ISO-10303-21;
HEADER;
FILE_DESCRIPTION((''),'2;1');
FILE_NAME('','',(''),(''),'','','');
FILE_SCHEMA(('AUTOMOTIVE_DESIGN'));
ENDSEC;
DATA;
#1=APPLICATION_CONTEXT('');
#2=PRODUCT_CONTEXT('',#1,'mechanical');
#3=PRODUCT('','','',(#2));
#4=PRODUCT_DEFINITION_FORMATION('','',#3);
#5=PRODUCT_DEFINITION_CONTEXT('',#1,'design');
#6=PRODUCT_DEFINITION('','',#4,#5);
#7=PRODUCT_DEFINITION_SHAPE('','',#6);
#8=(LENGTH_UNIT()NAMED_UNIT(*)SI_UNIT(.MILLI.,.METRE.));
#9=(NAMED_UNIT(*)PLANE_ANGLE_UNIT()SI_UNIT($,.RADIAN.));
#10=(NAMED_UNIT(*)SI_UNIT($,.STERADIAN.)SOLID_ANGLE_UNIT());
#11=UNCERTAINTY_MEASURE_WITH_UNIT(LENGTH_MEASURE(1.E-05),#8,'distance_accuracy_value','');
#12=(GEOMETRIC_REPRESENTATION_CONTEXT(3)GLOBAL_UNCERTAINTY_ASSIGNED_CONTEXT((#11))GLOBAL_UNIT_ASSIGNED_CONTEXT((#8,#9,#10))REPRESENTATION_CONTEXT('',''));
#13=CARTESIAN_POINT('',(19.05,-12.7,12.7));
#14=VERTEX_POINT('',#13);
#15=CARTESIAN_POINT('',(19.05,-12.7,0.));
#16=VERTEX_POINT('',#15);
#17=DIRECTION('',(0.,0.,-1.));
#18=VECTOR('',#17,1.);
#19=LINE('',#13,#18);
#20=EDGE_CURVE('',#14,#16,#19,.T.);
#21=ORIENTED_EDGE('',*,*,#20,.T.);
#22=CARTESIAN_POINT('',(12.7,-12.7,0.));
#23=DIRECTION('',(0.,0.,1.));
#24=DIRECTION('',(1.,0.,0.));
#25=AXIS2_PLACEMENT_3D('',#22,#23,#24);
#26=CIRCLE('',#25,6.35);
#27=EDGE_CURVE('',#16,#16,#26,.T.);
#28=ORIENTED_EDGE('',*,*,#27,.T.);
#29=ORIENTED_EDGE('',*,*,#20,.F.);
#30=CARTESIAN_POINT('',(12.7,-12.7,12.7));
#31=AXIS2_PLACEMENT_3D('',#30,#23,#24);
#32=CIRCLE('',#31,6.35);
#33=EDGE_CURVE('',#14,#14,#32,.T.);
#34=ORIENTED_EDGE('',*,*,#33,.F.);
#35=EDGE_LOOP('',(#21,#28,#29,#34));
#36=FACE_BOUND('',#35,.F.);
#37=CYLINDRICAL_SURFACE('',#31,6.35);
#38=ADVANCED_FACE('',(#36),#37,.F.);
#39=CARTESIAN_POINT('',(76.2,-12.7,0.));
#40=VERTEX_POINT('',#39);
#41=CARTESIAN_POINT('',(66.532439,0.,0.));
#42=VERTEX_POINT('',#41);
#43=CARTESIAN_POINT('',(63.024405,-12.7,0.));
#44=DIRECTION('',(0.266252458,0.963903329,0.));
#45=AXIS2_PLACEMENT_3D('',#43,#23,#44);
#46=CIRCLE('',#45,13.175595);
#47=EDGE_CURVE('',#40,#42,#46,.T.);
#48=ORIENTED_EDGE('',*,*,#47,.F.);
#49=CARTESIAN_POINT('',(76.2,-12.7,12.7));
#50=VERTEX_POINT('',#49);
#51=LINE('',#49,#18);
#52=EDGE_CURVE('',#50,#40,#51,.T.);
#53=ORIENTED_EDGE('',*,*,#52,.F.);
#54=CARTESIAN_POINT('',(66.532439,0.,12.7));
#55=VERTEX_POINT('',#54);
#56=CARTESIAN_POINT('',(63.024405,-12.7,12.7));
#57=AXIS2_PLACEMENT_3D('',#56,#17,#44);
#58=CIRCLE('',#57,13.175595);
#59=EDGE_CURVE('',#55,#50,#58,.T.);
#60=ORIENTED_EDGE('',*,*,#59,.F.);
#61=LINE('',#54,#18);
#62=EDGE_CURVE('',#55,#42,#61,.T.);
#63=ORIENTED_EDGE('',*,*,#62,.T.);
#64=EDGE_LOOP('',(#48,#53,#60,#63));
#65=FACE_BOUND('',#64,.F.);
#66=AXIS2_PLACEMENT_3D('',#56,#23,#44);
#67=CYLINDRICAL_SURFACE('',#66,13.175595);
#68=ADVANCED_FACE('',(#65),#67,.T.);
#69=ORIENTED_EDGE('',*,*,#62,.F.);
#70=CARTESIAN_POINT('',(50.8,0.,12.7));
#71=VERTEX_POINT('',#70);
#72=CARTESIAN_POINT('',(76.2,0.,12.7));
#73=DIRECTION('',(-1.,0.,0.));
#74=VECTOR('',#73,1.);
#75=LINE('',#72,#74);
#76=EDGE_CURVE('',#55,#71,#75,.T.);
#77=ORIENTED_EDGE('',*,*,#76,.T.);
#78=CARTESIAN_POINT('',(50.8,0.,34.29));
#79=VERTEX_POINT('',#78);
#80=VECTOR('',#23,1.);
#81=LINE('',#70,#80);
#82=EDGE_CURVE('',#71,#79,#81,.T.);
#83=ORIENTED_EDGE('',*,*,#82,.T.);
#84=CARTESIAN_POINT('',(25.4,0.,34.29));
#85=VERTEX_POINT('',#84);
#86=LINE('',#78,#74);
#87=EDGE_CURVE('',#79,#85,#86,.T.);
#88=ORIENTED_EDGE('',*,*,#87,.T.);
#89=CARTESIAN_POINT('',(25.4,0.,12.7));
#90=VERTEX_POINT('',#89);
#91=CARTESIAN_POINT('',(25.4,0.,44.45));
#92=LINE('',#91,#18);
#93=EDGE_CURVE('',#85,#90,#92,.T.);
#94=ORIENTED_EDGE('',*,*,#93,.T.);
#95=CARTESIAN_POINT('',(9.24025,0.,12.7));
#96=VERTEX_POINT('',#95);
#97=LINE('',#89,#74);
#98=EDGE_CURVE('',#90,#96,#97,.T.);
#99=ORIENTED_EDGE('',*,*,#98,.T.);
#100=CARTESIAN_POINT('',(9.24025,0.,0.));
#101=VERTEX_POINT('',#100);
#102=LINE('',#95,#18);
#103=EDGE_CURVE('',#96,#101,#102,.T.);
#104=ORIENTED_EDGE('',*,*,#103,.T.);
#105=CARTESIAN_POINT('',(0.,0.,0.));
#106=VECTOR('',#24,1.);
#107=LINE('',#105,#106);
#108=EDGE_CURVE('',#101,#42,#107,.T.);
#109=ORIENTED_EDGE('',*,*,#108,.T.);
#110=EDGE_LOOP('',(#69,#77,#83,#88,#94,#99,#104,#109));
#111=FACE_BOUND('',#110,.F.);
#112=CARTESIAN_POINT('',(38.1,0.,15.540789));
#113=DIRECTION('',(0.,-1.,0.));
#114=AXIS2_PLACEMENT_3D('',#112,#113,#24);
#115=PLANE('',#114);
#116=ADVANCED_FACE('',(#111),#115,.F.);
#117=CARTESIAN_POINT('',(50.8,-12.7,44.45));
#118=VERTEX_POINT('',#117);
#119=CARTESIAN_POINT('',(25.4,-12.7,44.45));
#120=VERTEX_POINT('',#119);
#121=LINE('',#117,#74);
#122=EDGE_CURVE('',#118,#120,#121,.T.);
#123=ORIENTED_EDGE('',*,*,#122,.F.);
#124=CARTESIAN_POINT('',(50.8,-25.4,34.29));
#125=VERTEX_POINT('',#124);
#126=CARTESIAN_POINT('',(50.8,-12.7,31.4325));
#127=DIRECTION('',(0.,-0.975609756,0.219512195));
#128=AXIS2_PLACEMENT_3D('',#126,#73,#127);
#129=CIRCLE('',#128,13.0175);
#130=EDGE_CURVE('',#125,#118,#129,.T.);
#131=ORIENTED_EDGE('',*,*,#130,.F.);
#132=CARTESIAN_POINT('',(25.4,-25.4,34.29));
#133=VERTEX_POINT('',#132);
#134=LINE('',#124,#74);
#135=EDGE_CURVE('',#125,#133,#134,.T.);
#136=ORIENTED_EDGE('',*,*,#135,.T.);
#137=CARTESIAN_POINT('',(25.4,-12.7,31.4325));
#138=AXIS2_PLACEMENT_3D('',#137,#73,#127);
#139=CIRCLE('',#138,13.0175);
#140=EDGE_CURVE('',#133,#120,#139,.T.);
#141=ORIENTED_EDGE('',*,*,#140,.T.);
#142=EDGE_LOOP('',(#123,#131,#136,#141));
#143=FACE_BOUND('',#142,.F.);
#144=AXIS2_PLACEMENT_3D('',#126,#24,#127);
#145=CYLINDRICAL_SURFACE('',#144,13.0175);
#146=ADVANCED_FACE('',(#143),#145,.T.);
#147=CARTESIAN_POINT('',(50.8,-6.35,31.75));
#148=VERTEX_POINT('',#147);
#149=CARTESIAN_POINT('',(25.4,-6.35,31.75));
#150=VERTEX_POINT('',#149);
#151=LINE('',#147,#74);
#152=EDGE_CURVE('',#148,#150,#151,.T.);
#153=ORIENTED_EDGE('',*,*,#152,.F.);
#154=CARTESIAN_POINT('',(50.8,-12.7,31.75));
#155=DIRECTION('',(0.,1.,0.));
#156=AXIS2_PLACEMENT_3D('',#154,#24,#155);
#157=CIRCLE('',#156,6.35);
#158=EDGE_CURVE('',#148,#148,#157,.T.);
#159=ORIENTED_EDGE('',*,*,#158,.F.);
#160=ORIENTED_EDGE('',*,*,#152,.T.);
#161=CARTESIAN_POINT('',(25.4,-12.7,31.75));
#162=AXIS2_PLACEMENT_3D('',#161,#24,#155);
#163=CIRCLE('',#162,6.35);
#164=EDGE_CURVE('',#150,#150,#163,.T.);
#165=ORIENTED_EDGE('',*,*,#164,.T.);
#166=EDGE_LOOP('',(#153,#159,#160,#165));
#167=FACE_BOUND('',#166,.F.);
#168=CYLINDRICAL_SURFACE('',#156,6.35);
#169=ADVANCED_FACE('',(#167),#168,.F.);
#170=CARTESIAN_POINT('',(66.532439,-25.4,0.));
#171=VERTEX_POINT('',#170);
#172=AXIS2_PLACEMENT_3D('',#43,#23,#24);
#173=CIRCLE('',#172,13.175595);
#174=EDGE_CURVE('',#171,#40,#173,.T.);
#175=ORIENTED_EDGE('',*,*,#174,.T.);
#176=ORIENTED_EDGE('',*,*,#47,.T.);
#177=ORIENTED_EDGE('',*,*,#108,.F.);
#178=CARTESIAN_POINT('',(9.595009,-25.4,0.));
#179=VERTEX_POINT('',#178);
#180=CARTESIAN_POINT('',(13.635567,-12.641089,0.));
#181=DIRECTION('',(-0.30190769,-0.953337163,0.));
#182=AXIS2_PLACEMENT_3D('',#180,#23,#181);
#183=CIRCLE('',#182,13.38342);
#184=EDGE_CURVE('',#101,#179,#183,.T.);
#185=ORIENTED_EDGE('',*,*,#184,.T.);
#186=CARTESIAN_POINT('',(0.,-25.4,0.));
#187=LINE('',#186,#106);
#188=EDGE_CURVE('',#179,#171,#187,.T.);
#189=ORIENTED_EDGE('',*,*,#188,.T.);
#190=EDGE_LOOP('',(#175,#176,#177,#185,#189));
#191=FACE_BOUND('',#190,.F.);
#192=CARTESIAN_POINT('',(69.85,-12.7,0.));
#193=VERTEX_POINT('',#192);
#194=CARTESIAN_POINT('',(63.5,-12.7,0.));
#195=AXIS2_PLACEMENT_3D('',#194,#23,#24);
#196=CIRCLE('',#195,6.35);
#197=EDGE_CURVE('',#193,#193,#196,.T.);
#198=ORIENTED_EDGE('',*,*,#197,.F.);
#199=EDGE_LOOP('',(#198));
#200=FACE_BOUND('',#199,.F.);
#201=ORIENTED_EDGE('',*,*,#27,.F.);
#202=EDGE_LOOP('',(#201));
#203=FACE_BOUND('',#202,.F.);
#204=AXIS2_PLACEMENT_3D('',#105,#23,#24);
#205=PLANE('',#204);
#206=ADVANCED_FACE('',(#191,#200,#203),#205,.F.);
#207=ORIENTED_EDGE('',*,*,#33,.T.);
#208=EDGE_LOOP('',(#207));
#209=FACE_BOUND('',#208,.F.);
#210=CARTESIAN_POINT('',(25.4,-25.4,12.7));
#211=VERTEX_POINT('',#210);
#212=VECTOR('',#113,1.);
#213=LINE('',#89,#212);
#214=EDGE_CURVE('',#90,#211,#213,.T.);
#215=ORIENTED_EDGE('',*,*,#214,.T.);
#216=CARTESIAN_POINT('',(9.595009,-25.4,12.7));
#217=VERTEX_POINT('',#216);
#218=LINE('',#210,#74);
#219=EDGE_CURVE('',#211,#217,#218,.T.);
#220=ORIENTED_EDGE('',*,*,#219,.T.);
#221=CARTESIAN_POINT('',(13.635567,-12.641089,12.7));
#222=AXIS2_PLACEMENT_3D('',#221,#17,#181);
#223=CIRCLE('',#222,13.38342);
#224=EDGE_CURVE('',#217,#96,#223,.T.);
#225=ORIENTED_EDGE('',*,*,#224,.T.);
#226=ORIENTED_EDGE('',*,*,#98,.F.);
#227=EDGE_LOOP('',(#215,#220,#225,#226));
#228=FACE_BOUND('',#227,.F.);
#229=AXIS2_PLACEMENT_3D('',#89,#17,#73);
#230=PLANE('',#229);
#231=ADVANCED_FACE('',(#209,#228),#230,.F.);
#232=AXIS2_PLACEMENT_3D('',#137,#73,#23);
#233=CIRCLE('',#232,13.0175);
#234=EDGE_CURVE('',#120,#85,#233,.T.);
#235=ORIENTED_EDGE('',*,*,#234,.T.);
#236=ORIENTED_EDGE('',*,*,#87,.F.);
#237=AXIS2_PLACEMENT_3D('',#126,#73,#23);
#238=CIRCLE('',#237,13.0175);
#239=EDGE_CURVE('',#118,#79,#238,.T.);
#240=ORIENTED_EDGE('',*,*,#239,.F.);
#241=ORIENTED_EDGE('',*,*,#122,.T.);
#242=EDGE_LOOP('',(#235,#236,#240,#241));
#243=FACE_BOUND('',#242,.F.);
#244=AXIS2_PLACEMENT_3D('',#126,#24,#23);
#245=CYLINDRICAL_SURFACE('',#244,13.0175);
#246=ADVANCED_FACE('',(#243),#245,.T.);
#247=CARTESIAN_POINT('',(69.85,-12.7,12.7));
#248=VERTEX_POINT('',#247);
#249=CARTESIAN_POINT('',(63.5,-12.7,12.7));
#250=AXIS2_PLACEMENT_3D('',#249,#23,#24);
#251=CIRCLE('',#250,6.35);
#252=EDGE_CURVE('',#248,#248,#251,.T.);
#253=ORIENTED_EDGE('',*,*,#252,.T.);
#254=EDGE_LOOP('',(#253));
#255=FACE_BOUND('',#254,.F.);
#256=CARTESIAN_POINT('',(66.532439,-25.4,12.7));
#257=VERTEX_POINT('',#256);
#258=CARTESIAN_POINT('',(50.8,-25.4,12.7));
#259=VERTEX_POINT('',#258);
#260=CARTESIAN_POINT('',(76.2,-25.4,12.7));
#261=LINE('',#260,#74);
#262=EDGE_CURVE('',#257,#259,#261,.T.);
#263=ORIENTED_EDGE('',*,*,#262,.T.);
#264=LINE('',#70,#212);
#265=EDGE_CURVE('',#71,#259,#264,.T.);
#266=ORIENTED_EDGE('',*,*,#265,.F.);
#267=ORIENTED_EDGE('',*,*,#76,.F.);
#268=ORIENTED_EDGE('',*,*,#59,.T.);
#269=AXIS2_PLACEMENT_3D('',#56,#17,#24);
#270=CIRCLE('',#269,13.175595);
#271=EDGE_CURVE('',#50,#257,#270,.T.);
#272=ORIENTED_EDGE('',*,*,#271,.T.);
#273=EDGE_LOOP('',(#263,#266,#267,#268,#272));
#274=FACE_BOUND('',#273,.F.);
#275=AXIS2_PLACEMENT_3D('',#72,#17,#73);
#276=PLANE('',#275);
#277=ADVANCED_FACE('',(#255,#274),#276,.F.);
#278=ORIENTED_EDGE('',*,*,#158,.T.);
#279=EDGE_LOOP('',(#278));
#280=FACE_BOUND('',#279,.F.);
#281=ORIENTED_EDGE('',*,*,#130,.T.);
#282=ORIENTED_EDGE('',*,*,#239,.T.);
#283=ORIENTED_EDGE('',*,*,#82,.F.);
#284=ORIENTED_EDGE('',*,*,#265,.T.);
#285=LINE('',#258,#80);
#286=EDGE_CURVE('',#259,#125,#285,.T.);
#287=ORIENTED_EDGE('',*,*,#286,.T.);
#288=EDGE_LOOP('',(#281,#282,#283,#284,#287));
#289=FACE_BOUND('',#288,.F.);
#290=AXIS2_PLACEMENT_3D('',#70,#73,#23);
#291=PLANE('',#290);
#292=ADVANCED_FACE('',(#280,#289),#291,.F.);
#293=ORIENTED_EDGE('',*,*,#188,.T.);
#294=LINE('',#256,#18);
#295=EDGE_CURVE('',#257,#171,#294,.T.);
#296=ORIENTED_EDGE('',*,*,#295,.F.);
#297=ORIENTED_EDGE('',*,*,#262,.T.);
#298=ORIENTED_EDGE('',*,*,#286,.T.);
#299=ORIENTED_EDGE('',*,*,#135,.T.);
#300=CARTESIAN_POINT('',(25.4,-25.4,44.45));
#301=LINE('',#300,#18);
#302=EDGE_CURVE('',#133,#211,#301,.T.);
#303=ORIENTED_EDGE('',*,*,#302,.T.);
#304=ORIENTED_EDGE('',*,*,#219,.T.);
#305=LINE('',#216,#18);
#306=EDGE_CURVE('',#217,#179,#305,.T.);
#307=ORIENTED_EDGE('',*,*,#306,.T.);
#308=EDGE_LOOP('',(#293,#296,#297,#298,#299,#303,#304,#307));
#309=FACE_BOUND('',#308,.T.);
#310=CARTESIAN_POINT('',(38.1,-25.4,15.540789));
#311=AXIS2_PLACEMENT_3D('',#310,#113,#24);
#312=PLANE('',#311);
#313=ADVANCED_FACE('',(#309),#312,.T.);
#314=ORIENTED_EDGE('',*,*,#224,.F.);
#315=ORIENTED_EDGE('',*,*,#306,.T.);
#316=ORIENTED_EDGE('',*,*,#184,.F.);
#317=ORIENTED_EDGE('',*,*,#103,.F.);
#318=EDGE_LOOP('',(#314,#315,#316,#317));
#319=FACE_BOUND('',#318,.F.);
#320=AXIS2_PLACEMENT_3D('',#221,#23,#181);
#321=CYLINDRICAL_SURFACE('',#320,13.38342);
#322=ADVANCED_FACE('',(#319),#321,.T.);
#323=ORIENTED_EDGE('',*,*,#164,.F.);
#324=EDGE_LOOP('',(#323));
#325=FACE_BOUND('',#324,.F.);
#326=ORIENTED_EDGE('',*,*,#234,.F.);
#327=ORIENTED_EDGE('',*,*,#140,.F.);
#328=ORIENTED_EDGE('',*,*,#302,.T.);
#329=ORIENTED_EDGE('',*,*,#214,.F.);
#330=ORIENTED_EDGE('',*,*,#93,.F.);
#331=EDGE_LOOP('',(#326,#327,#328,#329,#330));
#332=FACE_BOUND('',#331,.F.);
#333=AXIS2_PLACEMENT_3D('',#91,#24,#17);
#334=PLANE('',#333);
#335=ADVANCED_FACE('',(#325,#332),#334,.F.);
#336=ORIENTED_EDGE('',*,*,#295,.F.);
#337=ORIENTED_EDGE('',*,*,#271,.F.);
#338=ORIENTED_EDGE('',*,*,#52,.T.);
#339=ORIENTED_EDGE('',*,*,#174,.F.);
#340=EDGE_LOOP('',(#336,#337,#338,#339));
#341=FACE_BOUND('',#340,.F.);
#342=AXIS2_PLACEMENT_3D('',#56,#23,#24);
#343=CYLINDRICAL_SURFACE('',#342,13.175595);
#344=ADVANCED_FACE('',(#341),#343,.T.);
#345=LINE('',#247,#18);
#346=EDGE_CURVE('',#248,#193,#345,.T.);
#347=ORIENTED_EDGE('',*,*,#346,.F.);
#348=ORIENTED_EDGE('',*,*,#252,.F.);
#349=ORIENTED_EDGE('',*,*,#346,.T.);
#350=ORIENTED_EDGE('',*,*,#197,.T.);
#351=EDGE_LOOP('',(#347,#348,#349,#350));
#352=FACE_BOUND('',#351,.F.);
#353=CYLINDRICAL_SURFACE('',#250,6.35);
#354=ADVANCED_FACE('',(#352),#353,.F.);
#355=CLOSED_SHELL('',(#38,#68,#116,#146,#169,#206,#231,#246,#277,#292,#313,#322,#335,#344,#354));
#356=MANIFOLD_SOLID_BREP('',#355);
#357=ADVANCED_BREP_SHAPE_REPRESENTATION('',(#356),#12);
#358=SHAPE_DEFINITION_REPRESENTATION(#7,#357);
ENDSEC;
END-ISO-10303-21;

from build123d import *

# Parameters (mm, degrees)
F1_DEPTH  = 25.4
F2_R      = 6.35
F3_DEPTH  = 25.4
F5_DEPTH  = 25.4
F6_R      = 6.35
F7_DEPTH  = 25.4
F8_R      = 6.35
F9_DEPTH  = 25.4
F11_DEPTH = 25.4
F13_DEPTH = 25.4


with BuildPart() as f1:
    # F0 (on Front) → F1 (new body)
    with BuildSketch(Plane.XZ):
        Polygon((0, 12.7), (0, 0), (76.2, 0), (76.2, 12.7), (50.8, 12.7), (50.8, 44.45), (25.4, 44.45), (25.4, 12.7), align=None)
    extrude(amount=F1_DEPTH)

    # F2 (on face) → F3 (cut)
    with BuildSketch(Plane.YZ.offset(50.8)):
        with Locations((-12.7, 31.75)):
            Circle(F2_R)
    extrude(amount=-F3_DEPTH, mode=Mode.SUBTRACT)

    # F4 (on face) → F5 (cut)
    with BuildSketch(Plane.YZ.offset(50.8)):
        with BuildLine():
            ThreePointArc((-25.4, 34.29), (-20.8319677815, 41.5974597269), (-12.7, 44.45))
            Line((-12.7, 44.45), (-25.4, 44.45))
            Line((-25.4, 44.45), (-25.4, 34.29))
        make_face()
        with BuildLine():
            ThreePointArc((-12.7, 44.45), (-4.5680322185, 41.5974597269), (0, 34.29))
            Line((0, 34.29), (0, 44.45))
            Line((0, 44.45), (-12.7, 44.45))
        make_face()
    extrude(amount=-F5_DEPTH, mode=Mode.SUBTRACT)

    # F6 (on face) → F7 (cut)
    with BuildSketch(Plane.XY.offset(12.7)):
        with Locations((63.5, -12.7)):
            Circle(F6_R)
    extrude(amount=-F7_DEPTH, mode=Mode.SUBTRACT)

    # F8 (on face) → F9 (cut)
    with BuildSketch(Plane.XY.offset(12.7)):
        with Locations((12.7, -12.7)):
            Circle(F8_R)
    extrude(amount=-F9_DEPTH, mode=Mode.SUBTRACT)

    # F10 (on face) → F11 (cut)
    with BuildSketch(Plane.XY.offset(12.7)):
        with BuildLine():
            ThreePointArc((66.5324394711, 0), (73.5081244057, -4.719528106), (76.2, -12.6999999989))
            Line((76.2, -12.6999999989), (76.2, 0))
            Line((76.2, 0), (66.5324394711, 0))
        make_face()
        with BuildLine():
            ThreePointArc((76.2, -12.6999999989), (73.5081244064, -20.6804718932), (66.5324394711, -25.4))
            Line((66.5324394711, -25.4), (76.2, -25.4))
            Line((76.2, -25.4), (76.2, -12.6999999989))
        make_face()
    extrude(amount=-F11_DEPTH, mode=Mode.SUBTRACT)

    # F12 (on face) → F13 (cut)
    with BuildSketch(Plane.XY.offset(12.7)):
        with BuildLine():
            ThreePointArc((9.5950094983, -25.4), (0.2534522323, -12.8279951022), (9.240250381, 0))
            Line((9.240250381, 0), (0, 0))
            Line((0, 0), (0, -25.4))
            Line((0, -25.4), (9.5950094983, -25.4))
        make_face()
    extrude(amount=-F13_DEPTH, mode=Mode.SUBTRACT)


solid = f1.part
